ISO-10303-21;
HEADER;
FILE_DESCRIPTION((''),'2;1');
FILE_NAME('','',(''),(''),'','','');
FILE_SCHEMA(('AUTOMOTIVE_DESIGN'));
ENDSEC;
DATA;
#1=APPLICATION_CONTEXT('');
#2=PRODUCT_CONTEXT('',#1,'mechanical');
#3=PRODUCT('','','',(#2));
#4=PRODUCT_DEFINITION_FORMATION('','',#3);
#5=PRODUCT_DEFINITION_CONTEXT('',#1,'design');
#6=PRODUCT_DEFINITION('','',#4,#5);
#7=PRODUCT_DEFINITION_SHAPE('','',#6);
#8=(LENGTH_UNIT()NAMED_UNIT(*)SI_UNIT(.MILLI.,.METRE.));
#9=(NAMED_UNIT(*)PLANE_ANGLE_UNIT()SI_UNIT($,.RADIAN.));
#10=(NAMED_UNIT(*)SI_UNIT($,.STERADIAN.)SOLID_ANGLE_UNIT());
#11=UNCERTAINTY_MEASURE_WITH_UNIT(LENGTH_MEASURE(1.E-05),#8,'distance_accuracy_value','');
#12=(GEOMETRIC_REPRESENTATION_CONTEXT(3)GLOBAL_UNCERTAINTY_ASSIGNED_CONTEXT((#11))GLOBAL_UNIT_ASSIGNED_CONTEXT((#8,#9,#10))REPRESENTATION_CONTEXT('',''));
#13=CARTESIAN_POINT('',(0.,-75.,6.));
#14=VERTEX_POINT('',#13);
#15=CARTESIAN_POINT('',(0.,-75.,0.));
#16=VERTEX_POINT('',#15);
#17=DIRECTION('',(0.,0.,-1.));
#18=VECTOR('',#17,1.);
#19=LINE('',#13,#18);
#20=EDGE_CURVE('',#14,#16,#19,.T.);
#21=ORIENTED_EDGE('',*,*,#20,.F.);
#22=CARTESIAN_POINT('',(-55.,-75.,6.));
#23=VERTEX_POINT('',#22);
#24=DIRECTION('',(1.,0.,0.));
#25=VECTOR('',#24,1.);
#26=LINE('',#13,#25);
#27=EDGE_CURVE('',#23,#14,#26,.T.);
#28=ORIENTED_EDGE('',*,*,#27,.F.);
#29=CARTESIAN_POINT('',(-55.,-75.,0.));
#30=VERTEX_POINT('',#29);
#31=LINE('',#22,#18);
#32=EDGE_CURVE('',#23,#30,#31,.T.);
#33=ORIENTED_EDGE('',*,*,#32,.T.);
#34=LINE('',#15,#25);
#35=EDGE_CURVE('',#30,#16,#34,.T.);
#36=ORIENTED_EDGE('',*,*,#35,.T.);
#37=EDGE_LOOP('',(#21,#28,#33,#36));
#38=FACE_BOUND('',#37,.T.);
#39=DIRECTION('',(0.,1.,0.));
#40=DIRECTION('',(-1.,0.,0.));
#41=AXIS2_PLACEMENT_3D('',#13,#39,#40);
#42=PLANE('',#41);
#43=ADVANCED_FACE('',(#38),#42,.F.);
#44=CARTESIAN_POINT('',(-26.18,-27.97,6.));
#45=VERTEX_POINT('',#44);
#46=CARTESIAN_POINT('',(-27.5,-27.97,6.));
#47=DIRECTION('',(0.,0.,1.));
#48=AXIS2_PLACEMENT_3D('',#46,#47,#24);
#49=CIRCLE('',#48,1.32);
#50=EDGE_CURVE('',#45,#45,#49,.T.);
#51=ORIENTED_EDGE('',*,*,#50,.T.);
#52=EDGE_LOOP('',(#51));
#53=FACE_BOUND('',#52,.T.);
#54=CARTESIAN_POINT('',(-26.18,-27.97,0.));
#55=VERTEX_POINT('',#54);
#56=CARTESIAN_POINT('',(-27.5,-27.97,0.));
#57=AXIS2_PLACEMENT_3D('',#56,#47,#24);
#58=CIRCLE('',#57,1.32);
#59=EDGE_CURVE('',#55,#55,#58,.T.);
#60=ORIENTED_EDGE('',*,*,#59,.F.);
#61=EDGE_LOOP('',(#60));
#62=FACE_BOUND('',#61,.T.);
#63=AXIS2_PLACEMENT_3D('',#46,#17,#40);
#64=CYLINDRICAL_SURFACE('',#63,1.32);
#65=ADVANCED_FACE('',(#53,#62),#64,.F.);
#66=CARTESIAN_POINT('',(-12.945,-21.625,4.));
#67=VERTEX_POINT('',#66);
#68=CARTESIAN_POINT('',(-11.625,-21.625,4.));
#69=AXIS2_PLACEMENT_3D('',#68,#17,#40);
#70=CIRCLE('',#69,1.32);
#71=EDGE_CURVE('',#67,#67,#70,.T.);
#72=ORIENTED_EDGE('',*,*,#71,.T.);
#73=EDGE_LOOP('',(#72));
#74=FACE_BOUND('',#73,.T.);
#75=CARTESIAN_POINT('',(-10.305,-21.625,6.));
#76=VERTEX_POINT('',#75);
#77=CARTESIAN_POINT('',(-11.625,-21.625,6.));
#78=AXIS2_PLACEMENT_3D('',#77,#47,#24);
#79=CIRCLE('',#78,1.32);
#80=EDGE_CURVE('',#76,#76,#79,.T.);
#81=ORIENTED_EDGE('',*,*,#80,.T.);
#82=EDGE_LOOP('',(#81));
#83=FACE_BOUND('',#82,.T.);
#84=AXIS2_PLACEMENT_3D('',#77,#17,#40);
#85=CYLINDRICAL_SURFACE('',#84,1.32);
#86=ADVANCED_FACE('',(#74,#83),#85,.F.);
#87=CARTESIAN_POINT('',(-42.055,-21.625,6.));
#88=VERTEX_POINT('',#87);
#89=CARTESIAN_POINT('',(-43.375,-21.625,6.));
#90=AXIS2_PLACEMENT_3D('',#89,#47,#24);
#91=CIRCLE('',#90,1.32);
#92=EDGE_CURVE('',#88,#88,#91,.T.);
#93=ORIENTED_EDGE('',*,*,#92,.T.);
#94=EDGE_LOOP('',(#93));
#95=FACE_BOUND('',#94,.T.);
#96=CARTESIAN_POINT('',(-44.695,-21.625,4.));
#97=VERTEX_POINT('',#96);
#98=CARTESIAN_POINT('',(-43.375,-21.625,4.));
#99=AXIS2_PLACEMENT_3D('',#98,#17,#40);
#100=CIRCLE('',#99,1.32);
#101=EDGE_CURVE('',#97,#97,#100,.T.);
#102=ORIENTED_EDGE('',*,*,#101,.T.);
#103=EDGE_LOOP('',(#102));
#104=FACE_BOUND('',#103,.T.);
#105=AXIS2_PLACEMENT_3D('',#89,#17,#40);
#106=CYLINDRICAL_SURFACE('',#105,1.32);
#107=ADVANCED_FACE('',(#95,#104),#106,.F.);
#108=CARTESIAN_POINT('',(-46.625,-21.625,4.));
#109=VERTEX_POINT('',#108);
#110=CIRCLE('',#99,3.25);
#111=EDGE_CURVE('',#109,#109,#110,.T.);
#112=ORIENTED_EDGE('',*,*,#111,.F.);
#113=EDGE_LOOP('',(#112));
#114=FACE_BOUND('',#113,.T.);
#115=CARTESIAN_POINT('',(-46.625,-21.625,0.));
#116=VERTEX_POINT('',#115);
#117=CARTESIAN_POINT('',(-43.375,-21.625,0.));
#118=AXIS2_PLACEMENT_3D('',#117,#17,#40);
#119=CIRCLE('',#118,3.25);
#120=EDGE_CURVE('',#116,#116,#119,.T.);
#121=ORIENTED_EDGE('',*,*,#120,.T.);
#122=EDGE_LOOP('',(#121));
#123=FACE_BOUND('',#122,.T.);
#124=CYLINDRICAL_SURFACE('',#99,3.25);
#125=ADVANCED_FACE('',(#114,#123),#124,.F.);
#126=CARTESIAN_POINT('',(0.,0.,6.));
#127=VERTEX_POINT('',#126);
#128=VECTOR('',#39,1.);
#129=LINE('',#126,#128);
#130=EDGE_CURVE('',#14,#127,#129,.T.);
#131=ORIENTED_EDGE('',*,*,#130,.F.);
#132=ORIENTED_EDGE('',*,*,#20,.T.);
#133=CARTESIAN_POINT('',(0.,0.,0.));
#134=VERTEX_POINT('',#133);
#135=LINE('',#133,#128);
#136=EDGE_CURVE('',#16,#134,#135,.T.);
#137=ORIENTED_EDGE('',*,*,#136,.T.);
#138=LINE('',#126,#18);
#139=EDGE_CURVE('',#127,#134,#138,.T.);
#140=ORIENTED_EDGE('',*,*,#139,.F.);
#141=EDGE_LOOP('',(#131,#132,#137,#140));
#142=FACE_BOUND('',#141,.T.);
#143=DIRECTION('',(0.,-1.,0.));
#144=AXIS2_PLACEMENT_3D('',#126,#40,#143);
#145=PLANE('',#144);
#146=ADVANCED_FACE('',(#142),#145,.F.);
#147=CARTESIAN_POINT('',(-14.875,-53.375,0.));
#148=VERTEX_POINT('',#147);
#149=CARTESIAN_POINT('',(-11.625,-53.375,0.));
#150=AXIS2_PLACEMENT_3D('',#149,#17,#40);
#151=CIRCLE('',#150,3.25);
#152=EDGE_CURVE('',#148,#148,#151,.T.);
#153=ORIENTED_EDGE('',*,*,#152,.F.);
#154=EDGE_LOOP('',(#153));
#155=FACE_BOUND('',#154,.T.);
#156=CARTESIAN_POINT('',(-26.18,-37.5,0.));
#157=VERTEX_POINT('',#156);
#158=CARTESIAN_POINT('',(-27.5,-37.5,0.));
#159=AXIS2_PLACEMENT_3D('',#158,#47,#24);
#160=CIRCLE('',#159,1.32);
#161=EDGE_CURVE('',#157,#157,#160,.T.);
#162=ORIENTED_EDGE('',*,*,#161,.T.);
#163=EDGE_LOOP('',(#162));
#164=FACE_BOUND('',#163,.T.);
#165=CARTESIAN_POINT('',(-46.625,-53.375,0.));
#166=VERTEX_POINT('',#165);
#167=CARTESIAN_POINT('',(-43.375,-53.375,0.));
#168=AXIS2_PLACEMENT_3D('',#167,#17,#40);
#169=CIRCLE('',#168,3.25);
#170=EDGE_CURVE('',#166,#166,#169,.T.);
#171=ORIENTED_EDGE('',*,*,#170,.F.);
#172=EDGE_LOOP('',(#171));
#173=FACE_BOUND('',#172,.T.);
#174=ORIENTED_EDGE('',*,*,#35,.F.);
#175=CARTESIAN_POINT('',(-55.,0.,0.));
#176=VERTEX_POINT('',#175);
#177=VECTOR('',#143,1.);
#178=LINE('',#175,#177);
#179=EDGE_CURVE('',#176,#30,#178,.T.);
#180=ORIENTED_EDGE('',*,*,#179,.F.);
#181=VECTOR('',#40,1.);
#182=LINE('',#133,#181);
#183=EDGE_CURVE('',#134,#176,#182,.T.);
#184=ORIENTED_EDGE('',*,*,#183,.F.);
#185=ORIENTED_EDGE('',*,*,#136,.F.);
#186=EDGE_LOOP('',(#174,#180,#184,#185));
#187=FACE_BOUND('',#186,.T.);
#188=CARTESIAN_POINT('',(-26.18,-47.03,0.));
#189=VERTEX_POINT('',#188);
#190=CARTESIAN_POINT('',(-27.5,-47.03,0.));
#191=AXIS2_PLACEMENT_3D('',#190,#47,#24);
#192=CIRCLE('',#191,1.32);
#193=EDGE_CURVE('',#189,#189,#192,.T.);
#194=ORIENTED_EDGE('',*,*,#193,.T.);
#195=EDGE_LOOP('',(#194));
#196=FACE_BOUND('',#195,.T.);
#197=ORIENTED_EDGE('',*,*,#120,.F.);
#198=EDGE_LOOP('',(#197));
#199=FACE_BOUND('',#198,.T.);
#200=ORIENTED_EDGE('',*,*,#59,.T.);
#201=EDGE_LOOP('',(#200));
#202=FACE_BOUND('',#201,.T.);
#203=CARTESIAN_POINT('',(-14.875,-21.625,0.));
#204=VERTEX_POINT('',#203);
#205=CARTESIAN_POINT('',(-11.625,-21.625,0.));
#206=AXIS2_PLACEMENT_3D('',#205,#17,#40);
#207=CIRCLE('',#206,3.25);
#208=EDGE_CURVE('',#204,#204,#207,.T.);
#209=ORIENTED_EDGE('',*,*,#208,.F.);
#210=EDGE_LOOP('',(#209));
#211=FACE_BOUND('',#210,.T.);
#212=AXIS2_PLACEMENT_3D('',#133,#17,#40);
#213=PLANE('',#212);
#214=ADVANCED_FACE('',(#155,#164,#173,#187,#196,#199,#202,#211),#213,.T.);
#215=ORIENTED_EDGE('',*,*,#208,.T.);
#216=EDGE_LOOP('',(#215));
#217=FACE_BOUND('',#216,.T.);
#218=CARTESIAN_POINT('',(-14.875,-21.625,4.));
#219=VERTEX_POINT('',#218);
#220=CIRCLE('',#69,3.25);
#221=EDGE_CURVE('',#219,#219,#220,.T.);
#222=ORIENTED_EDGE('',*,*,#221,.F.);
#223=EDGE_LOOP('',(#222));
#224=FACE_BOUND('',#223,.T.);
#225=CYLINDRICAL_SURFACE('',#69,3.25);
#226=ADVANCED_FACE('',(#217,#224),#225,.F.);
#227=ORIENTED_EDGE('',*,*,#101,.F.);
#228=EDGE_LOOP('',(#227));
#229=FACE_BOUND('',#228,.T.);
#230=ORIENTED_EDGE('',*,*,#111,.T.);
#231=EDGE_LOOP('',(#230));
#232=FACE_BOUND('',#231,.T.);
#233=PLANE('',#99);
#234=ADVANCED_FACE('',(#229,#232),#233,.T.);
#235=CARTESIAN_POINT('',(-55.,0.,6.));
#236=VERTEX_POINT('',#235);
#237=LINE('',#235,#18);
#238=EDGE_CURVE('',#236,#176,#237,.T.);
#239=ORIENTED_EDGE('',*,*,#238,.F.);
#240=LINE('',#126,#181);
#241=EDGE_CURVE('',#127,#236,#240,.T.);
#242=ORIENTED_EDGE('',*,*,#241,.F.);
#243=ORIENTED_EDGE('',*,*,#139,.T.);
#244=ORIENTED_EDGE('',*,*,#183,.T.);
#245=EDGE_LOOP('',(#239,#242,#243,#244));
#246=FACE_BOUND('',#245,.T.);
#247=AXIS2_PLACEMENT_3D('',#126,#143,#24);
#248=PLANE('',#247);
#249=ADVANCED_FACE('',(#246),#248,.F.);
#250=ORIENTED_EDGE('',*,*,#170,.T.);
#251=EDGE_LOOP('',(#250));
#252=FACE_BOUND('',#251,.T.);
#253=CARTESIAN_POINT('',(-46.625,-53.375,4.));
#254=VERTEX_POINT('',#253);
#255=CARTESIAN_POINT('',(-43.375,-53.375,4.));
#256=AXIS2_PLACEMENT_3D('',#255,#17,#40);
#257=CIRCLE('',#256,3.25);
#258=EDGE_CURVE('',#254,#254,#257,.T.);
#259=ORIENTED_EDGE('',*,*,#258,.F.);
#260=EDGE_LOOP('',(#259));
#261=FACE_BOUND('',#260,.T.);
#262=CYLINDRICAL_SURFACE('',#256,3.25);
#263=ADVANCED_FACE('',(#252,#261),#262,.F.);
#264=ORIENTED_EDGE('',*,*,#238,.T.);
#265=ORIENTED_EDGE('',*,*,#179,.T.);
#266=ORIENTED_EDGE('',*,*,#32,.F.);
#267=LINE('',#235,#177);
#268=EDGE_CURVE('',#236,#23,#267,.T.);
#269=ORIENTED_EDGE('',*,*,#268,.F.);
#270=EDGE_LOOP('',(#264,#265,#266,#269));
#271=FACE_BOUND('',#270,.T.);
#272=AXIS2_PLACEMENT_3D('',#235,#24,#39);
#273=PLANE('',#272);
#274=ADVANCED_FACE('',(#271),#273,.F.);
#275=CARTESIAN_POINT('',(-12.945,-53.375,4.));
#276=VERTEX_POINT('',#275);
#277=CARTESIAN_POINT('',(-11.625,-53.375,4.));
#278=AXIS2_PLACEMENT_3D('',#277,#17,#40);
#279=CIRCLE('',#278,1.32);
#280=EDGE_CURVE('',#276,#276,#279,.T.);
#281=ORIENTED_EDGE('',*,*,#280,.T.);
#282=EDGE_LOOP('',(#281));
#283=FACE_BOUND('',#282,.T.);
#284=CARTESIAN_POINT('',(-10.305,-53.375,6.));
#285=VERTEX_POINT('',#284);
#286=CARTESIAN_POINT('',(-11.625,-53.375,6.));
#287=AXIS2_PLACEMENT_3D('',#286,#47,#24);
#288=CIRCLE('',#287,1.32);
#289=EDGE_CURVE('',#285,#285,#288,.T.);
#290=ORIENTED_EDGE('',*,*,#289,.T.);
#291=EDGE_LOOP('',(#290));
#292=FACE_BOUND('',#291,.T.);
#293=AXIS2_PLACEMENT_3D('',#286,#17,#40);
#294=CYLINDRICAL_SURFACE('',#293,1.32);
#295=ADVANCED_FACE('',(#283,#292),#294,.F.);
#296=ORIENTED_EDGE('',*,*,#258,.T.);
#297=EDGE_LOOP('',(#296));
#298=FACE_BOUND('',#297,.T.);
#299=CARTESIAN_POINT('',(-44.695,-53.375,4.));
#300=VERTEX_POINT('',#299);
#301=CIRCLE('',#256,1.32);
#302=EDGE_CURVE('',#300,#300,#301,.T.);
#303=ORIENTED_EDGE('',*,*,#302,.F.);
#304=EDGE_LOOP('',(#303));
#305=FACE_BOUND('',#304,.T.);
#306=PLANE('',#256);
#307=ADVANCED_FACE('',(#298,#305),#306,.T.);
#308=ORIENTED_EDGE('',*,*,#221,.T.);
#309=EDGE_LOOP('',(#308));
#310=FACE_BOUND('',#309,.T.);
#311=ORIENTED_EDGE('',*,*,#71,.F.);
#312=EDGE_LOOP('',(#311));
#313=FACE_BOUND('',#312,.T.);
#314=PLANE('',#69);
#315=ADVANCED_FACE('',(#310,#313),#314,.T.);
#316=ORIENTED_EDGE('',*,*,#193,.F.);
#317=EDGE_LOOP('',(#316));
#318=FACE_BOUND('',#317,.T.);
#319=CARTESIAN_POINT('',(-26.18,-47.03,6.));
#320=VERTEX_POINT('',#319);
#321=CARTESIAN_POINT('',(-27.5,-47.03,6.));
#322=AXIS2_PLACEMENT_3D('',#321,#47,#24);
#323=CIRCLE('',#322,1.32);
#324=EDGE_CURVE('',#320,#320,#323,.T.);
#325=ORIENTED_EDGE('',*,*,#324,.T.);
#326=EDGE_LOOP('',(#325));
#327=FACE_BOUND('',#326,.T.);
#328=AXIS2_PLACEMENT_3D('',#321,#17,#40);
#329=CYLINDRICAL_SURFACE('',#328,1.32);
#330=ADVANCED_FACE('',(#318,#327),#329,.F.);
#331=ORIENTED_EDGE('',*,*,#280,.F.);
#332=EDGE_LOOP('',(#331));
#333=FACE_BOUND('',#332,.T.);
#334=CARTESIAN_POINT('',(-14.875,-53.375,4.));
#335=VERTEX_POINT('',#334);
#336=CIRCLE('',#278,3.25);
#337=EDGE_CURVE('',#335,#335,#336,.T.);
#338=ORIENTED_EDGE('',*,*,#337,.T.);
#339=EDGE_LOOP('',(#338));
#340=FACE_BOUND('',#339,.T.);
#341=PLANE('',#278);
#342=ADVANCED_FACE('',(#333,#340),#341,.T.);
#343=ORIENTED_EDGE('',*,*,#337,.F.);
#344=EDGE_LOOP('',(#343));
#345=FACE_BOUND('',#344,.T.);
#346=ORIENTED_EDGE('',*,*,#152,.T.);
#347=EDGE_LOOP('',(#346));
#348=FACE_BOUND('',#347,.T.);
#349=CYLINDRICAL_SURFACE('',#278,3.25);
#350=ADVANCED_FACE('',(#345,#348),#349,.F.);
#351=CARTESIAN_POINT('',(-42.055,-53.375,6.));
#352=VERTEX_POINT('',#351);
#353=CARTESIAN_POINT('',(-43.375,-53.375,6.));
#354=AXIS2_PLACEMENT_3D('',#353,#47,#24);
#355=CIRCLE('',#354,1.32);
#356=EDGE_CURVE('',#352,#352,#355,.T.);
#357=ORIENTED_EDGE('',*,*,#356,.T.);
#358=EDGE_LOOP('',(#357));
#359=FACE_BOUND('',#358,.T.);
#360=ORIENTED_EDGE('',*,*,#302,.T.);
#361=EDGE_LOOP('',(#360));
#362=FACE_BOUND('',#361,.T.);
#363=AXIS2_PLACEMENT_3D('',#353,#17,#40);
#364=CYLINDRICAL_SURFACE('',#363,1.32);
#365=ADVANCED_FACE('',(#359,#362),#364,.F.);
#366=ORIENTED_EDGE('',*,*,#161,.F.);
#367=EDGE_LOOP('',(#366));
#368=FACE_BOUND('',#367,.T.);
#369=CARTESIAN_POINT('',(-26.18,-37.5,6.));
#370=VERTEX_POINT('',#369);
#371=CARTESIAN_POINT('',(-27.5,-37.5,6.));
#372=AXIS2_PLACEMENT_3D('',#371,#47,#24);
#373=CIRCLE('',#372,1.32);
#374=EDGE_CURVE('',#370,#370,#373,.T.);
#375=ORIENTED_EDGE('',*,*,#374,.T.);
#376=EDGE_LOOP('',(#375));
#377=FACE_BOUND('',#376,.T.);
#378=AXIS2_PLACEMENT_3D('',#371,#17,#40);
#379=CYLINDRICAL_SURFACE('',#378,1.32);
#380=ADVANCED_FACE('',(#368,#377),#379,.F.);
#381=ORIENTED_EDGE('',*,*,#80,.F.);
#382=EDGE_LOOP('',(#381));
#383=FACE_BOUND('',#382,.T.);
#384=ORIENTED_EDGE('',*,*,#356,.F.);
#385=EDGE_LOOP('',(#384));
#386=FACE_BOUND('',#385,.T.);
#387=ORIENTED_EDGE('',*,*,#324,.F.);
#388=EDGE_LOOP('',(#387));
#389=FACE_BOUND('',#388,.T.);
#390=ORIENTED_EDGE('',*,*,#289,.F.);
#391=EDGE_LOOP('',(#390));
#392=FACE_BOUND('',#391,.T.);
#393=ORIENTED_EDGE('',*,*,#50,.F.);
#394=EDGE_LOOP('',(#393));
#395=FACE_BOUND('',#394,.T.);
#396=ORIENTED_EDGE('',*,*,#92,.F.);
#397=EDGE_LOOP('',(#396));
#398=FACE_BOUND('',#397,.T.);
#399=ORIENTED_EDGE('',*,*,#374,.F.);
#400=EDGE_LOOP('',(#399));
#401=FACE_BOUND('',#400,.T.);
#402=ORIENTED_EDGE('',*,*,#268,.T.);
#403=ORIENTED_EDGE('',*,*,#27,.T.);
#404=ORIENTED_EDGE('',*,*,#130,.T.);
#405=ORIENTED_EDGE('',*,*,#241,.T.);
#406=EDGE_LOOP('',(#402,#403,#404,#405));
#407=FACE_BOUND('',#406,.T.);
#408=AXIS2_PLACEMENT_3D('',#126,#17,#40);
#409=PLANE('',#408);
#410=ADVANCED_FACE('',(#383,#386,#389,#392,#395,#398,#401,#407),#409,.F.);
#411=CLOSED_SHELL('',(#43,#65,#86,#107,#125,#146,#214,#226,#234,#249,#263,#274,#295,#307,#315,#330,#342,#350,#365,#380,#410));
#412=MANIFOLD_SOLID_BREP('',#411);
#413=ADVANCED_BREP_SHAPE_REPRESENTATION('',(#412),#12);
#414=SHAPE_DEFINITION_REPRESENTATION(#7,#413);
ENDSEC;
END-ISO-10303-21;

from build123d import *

# Parameters (mm, degrees)
SKETCH1_W           = 55
SKETCH1_H           = 75
SKETCH1_R           = 1.32
BOSS_EXTRUDE1_DEPTH = 6
SKETCH2_R           = 3.25
CUT_EXTRUDE1_DEPTH  = 4


with BuildPart() as part:
    # Sketch1 → Boss-Extrude1 (new body)
    with BuildSketch(Plane.XY):
        with Locations((-27.5, -37.5)):
            Rectangle(SKETCH1_W, SKETCH1_H)
        with Locations((-43.375, -21.625)):
            Circle(SKETCH1_R, mode=Mode.SUBTRACT)
        with Locations((-11.625, -21.625)):
            Circle(SKETCH1_R, mode=Mode.SUBTRACT)
        with Locations((-11.625, -53.375)):
            Circle(SKETCH1_R, mode=Mode.SUBTRACT)
        with Locations((-43.375, -53.375)):
            Circle(SKETCH1_R, mode=Mode.SUBTRACT)
        with Locations((-27.5, -27.97)):
            Circle(SKETCH1_R, mode=Mode.SUBTRACT)
        with Locations((-27.5, -37.5)):
            Circle(SKETCH1_R, mode=Mode.SUBTRACT)
        with Locations((-27.5, -47.03)):
            Circle(SKETCH1_R, mode=Mode.SUBTRACT)
    extrude(amount=BOSS_EXTRUDE1_DEPTH)

    # Sketch2 → Cut-Extrude1 (cut)
    with BuildSketch(Plane(origin=(0, 0, 0), x_dir=(-1, 0, 0), z_dir=(0, 0, -1))):
        with Locations((11.625, -21.625)):
            Circle(SKETCH2_R)
        with Locations((43.375, -21.625)):
            Circle(SKETCH2_R)
        with Locations((43.375, -53.375)):
            Circle(SKETCH2_R)
        with Locations((11.625, -53.375)):
            Circle(SKETCH2_R)
    extrude(amount=-CUT_EXTRUDE1_DEPTH, mode=Mode.SUBTRACT)


solid = part.part
